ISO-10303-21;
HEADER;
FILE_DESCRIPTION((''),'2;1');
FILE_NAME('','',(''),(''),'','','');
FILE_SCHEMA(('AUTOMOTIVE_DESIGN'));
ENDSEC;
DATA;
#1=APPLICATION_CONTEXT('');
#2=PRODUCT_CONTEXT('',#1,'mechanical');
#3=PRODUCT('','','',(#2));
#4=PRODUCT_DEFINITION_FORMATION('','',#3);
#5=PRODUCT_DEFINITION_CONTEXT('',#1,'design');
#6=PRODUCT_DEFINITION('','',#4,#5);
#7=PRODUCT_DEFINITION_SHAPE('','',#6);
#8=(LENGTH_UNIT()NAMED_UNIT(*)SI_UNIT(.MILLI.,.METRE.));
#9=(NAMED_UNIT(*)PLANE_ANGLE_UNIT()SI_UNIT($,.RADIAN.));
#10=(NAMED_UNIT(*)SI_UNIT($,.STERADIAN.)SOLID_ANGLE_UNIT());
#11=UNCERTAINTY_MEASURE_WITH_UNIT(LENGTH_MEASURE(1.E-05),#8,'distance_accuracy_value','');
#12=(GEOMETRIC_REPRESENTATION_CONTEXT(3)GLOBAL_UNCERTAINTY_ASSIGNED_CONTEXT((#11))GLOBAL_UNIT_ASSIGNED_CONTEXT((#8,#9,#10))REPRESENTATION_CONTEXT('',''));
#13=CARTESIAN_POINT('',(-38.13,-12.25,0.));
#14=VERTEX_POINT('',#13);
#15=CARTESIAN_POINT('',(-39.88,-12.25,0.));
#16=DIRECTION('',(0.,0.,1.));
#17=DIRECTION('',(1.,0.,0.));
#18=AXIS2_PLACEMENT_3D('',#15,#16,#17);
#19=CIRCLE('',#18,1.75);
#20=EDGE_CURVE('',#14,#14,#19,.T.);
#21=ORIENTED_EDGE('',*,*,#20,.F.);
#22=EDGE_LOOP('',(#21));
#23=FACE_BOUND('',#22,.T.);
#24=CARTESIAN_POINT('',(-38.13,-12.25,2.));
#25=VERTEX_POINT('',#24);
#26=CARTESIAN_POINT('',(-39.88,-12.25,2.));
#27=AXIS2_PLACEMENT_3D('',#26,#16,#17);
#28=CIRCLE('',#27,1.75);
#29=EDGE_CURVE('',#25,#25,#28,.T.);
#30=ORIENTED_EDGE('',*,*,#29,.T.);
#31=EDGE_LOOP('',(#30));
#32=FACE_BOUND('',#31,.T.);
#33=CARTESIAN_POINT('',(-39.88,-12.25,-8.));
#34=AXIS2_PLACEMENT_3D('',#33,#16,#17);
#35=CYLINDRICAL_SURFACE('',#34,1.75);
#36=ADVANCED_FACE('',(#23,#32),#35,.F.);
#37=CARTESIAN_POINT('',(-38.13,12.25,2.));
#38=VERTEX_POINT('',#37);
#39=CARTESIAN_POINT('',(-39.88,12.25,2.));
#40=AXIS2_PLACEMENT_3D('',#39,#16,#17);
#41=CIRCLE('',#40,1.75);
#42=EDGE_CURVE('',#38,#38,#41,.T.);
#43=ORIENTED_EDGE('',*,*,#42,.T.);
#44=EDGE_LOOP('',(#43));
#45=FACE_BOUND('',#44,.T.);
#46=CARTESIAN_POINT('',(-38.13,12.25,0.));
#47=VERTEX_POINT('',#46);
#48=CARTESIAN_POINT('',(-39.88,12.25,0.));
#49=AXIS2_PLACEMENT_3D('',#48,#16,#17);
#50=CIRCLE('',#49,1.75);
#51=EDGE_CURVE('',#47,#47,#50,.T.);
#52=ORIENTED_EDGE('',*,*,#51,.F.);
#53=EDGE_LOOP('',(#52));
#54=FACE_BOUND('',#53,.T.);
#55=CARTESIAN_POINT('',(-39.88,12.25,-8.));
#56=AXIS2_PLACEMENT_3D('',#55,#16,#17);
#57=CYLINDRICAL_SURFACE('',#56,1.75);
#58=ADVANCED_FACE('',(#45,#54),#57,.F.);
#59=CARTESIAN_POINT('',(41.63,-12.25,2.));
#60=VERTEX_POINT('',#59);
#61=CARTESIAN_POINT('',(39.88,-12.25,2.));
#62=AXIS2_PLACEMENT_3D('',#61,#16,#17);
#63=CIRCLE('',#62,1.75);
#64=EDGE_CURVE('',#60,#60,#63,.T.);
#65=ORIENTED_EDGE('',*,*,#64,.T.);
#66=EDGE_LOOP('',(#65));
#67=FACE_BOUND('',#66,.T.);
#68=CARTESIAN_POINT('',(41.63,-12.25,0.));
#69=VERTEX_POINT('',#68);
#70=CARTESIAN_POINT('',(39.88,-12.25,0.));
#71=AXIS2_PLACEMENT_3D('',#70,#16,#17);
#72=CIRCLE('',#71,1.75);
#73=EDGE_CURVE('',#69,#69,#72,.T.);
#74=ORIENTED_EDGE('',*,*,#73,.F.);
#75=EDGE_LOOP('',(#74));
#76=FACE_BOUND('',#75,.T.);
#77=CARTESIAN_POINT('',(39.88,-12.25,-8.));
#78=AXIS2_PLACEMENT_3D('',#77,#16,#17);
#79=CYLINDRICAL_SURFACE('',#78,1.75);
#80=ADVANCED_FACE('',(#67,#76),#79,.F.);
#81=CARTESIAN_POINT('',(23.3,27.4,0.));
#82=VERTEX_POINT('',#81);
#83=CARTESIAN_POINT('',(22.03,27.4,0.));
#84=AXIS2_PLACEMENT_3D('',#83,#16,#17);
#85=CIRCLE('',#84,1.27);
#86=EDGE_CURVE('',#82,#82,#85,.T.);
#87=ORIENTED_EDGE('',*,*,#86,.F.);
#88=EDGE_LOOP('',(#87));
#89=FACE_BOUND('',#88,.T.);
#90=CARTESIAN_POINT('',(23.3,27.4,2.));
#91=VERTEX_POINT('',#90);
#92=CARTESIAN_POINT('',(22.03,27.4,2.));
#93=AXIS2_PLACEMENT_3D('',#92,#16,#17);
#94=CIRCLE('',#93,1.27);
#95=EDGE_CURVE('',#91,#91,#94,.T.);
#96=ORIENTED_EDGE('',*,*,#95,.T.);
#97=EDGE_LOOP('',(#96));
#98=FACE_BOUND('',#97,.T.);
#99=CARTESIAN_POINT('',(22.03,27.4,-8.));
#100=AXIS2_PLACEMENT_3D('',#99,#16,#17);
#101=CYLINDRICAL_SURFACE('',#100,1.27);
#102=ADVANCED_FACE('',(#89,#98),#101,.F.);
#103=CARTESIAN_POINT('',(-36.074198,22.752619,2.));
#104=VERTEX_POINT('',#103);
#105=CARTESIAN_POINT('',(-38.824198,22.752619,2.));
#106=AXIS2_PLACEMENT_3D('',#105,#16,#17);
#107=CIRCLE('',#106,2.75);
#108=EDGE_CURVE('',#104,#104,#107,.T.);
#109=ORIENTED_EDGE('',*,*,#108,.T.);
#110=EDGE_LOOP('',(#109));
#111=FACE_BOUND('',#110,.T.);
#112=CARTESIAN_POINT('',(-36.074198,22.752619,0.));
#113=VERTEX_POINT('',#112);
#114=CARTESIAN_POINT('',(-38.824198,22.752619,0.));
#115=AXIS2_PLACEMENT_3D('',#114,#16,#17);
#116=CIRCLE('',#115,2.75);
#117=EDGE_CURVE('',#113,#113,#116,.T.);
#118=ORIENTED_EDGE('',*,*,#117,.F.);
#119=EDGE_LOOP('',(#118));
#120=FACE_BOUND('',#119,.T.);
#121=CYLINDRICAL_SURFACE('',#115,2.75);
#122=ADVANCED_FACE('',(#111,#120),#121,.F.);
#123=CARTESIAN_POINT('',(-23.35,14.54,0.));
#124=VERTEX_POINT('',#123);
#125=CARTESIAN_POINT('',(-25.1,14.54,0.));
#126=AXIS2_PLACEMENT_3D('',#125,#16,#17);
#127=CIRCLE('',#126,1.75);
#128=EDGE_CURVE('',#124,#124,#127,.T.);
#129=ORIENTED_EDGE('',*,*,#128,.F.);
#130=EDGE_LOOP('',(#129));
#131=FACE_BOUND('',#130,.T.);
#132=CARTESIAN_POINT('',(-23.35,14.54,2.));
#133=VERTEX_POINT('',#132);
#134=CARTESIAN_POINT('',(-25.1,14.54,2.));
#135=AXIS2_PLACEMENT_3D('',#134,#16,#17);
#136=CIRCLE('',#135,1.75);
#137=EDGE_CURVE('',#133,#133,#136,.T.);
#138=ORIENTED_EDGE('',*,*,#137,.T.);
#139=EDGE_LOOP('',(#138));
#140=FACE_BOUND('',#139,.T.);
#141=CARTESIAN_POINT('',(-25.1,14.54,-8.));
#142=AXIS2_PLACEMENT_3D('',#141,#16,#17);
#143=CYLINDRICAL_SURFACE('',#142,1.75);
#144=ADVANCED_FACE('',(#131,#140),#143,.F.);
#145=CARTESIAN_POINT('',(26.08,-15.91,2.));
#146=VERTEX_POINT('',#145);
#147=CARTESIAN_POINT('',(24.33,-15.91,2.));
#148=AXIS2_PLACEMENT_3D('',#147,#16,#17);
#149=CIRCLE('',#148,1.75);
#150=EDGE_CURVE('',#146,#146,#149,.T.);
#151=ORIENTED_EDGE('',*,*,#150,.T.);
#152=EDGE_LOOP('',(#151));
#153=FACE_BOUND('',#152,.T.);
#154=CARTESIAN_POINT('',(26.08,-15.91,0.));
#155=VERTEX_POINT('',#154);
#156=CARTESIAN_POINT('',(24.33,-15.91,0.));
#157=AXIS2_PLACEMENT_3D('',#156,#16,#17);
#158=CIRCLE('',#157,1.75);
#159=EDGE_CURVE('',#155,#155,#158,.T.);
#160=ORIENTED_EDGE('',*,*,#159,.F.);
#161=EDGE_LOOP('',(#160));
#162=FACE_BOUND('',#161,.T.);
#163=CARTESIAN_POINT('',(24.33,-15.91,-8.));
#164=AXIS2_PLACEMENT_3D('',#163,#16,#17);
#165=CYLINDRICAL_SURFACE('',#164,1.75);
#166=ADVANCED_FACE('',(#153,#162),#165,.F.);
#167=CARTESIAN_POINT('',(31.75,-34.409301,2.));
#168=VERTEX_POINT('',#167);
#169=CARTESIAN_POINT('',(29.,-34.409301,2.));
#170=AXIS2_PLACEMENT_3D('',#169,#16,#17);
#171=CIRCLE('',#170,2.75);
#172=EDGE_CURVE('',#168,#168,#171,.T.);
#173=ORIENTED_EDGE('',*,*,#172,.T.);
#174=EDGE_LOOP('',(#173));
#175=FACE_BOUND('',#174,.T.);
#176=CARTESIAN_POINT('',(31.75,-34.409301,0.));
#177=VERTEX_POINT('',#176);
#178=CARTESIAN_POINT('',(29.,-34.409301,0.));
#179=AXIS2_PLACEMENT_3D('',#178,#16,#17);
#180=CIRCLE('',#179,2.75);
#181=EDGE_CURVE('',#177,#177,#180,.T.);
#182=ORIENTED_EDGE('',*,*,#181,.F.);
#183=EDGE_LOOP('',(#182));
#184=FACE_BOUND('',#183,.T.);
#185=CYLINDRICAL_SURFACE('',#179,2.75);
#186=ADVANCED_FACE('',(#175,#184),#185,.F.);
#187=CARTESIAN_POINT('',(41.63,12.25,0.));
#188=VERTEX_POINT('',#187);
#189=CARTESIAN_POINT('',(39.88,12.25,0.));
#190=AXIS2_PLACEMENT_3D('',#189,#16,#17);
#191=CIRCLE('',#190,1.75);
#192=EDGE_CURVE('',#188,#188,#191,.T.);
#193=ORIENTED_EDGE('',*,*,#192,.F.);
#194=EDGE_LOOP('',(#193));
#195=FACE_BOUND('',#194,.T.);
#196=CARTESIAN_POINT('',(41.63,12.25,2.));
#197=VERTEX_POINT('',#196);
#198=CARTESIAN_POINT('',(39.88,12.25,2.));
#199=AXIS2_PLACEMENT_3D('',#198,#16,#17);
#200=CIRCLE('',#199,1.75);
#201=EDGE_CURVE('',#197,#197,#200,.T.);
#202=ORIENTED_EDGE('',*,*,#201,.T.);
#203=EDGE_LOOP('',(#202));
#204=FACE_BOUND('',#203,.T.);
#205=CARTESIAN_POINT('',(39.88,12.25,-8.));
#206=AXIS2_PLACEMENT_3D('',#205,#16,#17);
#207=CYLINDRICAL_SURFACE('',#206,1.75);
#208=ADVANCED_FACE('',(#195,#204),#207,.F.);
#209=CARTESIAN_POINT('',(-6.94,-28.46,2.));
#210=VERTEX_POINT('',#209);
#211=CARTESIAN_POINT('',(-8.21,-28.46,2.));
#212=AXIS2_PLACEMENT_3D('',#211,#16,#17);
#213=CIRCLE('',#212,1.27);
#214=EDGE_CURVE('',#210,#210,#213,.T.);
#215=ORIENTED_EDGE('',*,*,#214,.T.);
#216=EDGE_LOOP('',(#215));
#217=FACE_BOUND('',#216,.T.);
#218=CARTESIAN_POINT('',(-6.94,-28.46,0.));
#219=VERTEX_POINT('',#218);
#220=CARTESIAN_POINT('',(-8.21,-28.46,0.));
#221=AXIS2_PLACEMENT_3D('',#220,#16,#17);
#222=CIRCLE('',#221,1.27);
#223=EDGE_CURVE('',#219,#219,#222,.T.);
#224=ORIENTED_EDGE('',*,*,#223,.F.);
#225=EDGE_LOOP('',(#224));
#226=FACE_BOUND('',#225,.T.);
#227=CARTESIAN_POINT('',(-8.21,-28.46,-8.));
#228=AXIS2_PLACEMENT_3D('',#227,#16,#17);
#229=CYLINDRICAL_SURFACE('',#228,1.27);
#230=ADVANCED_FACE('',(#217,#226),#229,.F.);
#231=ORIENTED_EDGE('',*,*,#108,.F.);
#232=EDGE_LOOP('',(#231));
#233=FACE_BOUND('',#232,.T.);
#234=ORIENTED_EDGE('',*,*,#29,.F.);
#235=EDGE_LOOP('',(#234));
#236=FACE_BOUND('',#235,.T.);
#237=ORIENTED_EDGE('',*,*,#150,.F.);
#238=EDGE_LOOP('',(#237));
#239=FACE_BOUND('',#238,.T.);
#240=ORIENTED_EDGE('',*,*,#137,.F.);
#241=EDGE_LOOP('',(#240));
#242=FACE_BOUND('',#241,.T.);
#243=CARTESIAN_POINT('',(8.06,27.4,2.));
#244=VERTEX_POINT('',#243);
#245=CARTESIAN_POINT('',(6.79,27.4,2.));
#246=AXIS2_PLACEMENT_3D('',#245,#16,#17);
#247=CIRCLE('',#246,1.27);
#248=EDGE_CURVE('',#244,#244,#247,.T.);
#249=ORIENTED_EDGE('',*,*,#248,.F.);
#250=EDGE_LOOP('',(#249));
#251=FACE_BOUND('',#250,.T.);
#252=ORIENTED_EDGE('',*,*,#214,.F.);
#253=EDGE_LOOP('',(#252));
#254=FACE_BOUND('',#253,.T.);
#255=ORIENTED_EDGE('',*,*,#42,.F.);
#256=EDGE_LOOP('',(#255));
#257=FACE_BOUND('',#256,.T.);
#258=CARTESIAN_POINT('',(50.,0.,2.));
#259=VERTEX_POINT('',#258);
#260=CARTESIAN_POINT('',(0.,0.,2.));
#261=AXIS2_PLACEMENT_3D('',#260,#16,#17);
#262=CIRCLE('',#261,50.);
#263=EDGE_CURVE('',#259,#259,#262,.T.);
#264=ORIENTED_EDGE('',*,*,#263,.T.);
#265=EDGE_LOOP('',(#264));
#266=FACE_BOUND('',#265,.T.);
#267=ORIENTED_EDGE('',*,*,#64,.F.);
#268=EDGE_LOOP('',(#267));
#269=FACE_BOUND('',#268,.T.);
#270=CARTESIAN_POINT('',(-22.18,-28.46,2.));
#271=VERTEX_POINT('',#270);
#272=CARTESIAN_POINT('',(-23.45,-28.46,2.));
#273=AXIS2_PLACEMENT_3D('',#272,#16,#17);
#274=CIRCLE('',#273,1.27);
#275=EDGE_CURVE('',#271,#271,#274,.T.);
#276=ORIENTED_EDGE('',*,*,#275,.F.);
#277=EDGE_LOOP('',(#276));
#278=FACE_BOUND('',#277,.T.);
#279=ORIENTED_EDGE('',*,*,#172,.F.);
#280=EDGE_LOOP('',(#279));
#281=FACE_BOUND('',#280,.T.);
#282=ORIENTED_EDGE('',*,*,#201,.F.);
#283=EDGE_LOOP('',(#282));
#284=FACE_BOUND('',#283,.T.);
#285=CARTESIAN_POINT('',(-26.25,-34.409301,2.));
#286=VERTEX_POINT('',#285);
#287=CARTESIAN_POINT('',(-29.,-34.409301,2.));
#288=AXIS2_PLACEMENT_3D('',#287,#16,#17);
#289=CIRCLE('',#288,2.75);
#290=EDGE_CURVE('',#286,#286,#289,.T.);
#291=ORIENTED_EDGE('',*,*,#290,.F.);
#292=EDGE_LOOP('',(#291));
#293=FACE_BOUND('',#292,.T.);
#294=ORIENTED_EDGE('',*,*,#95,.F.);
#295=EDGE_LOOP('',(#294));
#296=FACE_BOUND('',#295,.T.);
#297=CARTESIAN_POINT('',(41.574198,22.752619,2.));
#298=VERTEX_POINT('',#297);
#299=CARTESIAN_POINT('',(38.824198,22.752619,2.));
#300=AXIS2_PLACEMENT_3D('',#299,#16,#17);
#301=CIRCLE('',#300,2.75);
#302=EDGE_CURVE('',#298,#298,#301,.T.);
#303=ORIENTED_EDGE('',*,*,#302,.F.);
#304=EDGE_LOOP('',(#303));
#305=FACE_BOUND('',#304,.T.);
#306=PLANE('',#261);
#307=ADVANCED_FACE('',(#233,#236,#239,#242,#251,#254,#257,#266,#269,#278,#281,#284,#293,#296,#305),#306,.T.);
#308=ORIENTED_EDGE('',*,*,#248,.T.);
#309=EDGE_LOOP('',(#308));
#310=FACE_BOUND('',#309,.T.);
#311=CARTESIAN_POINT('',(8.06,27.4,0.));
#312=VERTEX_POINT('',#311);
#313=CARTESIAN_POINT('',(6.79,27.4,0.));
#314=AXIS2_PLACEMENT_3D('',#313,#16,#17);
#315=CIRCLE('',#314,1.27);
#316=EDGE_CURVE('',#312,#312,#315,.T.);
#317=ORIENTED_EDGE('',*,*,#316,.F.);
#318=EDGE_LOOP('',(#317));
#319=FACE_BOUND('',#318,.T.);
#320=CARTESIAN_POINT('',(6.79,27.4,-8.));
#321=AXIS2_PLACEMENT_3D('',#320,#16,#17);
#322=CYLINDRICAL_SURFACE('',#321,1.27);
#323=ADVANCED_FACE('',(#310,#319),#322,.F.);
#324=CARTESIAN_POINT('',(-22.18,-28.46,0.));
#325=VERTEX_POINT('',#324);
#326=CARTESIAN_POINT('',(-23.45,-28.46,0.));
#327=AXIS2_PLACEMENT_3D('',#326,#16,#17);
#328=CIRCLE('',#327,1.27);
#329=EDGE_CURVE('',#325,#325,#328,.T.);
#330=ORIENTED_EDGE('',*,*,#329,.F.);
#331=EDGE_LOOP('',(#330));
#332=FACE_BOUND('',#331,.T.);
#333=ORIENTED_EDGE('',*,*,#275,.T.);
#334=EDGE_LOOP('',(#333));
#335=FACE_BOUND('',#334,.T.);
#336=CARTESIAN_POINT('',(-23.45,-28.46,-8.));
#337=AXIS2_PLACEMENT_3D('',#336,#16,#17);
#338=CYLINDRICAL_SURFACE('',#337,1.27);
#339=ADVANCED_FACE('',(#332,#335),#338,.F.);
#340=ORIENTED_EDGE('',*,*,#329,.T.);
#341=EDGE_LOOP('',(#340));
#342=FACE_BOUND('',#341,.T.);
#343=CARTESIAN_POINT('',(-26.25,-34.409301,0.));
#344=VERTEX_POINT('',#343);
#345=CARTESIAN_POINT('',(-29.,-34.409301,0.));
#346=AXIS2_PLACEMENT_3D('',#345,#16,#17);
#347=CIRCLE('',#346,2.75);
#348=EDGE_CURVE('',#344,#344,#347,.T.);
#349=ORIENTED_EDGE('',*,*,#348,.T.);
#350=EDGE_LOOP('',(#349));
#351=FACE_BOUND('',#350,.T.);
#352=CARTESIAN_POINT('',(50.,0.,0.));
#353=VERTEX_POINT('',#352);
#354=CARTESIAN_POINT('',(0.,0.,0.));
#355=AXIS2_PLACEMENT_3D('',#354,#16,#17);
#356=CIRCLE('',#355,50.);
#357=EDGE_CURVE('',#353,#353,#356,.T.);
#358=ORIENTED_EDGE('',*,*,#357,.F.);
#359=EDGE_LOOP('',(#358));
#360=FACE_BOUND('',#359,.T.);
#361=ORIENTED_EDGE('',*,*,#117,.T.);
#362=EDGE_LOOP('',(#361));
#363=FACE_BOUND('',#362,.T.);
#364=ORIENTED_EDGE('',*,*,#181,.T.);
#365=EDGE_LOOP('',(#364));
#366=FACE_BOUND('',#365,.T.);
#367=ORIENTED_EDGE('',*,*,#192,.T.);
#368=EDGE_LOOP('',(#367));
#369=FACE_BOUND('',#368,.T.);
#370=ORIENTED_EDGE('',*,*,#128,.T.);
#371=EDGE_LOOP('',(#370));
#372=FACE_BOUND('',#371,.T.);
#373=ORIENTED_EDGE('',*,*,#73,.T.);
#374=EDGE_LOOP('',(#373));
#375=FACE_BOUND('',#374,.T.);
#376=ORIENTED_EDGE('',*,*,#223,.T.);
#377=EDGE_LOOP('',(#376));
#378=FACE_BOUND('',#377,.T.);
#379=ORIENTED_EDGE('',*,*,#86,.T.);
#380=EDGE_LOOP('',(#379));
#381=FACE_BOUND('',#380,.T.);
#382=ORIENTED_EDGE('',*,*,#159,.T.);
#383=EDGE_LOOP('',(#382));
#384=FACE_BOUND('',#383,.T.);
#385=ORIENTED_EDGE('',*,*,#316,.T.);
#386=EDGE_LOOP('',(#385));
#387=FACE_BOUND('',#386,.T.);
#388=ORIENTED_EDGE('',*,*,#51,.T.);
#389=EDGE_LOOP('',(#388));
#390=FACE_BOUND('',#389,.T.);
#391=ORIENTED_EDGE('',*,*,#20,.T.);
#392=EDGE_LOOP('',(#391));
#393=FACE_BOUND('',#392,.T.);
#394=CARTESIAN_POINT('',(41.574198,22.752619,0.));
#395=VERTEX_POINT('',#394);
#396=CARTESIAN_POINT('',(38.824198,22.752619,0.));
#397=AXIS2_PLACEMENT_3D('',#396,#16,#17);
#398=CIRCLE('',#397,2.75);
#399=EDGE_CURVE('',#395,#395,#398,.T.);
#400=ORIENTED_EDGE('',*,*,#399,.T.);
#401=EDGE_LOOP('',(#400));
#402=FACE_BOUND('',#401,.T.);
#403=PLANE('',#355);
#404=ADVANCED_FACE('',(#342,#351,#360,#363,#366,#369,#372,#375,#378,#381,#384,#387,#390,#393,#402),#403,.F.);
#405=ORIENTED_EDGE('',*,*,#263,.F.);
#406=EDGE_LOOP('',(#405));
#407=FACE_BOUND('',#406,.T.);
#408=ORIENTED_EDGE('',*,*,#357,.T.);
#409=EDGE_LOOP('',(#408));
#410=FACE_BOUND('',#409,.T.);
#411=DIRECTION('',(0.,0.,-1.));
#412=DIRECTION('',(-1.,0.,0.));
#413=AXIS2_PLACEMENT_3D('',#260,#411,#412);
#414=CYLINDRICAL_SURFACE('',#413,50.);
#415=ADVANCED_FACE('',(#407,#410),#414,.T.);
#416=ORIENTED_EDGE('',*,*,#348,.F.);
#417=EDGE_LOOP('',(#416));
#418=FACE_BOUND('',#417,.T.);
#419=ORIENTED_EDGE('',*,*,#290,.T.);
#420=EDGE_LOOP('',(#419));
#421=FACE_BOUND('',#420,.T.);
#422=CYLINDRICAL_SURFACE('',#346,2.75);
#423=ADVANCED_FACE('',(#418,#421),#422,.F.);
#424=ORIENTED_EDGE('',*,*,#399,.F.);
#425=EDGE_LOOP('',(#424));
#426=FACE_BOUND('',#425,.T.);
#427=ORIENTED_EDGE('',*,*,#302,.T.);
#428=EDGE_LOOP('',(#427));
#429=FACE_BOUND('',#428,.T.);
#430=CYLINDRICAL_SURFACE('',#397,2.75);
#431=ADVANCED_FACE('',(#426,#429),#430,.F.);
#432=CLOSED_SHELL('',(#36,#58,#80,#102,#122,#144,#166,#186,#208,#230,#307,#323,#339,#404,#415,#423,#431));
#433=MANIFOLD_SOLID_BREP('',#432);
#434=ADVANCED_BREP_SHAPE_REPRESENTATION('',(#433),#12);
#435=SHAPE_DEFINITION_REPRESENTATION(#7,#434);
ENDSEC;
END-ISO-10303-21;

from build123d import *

# Parameters (mm, degrees)
ESBO_O1_R                = 50
RESSALTO_EXTRUS_O1_DEPTH = 2
ESBO_O2_R                = 2.75
CORTE_EXTRUS_O1_DEPTH    = 2
ESBO_O3_R                = 1.75
ESBO_O3_R_2              = 1.27
CORTE_EXTRUS_O2_DEPTH    = 10


with BuildPart() as part:
    # Esboço1 → Ressalto-extrusão1 (new body)
    with BuildSketch(Plane.XY):
        Circle(ESBO_O1_R)
    extrude(amount=RESSALTO_EXTRUS_O1_DEPTH)

    # Esboço2 → Corte-extrusão1 (cut)
    with BuildSketch(Plane.XY.offset(2)):
        with Locations((-29, -34.409301068)):
            Circle(ESBO_O2_R)
        with Locations((29, -34.409301068)):
            Circle(ESBO_O2_R)
        with Locations((-38.824197531, 22.752619324)):
            Circle(ESBO_O2_R)
        with Locations((38.824197531, 22.752619324)):
            Circle(ESBO_O2_R)
    extrude(amount=-CORTE_EXTRUS_O1_DEPTH, mode=Mode.SUBTRACT)

    # Esboço3 → Corte-extrusão2 (cut)
    with BuildSketch(Plane.XY.offset(2)):
        with Locations((-25.1, 14.54)):
            Circle(ESBO_O3_R)
        with Locations((24.33, -15.91)):
            Circle(ESBO_O3_R)
        with Locations((-39.88, -12.25)):
            Circle(ESBO_O3_R)
        with Locations((-39.88, 12.25)):
            Circle(ESBO_O3_R)
        with Locations((39.88, 12.25)):
            Circle(ESBO_O3_R)
        with Locations((39.88, -12.25)):
            Circle(ESBO_O3_R)
        with Locations((6.79, 27.4)):
            Circle(ESBO_O3_R_2)
        with Locations((22.03, 27.4)):
            Circle(ESBO_O3_R_2)
        with Locations((-8.21, -28.46)):
            Circle(ESBO_O3_R_2)
        with Locations((-23.45, -28.46)):
            Circle(ESBO_O3_R_2)
    extrude(amount=-CORTE_EXTRUS_O2_DEPTH, mode=Mode.SUBTRACT)


solid = part.part
